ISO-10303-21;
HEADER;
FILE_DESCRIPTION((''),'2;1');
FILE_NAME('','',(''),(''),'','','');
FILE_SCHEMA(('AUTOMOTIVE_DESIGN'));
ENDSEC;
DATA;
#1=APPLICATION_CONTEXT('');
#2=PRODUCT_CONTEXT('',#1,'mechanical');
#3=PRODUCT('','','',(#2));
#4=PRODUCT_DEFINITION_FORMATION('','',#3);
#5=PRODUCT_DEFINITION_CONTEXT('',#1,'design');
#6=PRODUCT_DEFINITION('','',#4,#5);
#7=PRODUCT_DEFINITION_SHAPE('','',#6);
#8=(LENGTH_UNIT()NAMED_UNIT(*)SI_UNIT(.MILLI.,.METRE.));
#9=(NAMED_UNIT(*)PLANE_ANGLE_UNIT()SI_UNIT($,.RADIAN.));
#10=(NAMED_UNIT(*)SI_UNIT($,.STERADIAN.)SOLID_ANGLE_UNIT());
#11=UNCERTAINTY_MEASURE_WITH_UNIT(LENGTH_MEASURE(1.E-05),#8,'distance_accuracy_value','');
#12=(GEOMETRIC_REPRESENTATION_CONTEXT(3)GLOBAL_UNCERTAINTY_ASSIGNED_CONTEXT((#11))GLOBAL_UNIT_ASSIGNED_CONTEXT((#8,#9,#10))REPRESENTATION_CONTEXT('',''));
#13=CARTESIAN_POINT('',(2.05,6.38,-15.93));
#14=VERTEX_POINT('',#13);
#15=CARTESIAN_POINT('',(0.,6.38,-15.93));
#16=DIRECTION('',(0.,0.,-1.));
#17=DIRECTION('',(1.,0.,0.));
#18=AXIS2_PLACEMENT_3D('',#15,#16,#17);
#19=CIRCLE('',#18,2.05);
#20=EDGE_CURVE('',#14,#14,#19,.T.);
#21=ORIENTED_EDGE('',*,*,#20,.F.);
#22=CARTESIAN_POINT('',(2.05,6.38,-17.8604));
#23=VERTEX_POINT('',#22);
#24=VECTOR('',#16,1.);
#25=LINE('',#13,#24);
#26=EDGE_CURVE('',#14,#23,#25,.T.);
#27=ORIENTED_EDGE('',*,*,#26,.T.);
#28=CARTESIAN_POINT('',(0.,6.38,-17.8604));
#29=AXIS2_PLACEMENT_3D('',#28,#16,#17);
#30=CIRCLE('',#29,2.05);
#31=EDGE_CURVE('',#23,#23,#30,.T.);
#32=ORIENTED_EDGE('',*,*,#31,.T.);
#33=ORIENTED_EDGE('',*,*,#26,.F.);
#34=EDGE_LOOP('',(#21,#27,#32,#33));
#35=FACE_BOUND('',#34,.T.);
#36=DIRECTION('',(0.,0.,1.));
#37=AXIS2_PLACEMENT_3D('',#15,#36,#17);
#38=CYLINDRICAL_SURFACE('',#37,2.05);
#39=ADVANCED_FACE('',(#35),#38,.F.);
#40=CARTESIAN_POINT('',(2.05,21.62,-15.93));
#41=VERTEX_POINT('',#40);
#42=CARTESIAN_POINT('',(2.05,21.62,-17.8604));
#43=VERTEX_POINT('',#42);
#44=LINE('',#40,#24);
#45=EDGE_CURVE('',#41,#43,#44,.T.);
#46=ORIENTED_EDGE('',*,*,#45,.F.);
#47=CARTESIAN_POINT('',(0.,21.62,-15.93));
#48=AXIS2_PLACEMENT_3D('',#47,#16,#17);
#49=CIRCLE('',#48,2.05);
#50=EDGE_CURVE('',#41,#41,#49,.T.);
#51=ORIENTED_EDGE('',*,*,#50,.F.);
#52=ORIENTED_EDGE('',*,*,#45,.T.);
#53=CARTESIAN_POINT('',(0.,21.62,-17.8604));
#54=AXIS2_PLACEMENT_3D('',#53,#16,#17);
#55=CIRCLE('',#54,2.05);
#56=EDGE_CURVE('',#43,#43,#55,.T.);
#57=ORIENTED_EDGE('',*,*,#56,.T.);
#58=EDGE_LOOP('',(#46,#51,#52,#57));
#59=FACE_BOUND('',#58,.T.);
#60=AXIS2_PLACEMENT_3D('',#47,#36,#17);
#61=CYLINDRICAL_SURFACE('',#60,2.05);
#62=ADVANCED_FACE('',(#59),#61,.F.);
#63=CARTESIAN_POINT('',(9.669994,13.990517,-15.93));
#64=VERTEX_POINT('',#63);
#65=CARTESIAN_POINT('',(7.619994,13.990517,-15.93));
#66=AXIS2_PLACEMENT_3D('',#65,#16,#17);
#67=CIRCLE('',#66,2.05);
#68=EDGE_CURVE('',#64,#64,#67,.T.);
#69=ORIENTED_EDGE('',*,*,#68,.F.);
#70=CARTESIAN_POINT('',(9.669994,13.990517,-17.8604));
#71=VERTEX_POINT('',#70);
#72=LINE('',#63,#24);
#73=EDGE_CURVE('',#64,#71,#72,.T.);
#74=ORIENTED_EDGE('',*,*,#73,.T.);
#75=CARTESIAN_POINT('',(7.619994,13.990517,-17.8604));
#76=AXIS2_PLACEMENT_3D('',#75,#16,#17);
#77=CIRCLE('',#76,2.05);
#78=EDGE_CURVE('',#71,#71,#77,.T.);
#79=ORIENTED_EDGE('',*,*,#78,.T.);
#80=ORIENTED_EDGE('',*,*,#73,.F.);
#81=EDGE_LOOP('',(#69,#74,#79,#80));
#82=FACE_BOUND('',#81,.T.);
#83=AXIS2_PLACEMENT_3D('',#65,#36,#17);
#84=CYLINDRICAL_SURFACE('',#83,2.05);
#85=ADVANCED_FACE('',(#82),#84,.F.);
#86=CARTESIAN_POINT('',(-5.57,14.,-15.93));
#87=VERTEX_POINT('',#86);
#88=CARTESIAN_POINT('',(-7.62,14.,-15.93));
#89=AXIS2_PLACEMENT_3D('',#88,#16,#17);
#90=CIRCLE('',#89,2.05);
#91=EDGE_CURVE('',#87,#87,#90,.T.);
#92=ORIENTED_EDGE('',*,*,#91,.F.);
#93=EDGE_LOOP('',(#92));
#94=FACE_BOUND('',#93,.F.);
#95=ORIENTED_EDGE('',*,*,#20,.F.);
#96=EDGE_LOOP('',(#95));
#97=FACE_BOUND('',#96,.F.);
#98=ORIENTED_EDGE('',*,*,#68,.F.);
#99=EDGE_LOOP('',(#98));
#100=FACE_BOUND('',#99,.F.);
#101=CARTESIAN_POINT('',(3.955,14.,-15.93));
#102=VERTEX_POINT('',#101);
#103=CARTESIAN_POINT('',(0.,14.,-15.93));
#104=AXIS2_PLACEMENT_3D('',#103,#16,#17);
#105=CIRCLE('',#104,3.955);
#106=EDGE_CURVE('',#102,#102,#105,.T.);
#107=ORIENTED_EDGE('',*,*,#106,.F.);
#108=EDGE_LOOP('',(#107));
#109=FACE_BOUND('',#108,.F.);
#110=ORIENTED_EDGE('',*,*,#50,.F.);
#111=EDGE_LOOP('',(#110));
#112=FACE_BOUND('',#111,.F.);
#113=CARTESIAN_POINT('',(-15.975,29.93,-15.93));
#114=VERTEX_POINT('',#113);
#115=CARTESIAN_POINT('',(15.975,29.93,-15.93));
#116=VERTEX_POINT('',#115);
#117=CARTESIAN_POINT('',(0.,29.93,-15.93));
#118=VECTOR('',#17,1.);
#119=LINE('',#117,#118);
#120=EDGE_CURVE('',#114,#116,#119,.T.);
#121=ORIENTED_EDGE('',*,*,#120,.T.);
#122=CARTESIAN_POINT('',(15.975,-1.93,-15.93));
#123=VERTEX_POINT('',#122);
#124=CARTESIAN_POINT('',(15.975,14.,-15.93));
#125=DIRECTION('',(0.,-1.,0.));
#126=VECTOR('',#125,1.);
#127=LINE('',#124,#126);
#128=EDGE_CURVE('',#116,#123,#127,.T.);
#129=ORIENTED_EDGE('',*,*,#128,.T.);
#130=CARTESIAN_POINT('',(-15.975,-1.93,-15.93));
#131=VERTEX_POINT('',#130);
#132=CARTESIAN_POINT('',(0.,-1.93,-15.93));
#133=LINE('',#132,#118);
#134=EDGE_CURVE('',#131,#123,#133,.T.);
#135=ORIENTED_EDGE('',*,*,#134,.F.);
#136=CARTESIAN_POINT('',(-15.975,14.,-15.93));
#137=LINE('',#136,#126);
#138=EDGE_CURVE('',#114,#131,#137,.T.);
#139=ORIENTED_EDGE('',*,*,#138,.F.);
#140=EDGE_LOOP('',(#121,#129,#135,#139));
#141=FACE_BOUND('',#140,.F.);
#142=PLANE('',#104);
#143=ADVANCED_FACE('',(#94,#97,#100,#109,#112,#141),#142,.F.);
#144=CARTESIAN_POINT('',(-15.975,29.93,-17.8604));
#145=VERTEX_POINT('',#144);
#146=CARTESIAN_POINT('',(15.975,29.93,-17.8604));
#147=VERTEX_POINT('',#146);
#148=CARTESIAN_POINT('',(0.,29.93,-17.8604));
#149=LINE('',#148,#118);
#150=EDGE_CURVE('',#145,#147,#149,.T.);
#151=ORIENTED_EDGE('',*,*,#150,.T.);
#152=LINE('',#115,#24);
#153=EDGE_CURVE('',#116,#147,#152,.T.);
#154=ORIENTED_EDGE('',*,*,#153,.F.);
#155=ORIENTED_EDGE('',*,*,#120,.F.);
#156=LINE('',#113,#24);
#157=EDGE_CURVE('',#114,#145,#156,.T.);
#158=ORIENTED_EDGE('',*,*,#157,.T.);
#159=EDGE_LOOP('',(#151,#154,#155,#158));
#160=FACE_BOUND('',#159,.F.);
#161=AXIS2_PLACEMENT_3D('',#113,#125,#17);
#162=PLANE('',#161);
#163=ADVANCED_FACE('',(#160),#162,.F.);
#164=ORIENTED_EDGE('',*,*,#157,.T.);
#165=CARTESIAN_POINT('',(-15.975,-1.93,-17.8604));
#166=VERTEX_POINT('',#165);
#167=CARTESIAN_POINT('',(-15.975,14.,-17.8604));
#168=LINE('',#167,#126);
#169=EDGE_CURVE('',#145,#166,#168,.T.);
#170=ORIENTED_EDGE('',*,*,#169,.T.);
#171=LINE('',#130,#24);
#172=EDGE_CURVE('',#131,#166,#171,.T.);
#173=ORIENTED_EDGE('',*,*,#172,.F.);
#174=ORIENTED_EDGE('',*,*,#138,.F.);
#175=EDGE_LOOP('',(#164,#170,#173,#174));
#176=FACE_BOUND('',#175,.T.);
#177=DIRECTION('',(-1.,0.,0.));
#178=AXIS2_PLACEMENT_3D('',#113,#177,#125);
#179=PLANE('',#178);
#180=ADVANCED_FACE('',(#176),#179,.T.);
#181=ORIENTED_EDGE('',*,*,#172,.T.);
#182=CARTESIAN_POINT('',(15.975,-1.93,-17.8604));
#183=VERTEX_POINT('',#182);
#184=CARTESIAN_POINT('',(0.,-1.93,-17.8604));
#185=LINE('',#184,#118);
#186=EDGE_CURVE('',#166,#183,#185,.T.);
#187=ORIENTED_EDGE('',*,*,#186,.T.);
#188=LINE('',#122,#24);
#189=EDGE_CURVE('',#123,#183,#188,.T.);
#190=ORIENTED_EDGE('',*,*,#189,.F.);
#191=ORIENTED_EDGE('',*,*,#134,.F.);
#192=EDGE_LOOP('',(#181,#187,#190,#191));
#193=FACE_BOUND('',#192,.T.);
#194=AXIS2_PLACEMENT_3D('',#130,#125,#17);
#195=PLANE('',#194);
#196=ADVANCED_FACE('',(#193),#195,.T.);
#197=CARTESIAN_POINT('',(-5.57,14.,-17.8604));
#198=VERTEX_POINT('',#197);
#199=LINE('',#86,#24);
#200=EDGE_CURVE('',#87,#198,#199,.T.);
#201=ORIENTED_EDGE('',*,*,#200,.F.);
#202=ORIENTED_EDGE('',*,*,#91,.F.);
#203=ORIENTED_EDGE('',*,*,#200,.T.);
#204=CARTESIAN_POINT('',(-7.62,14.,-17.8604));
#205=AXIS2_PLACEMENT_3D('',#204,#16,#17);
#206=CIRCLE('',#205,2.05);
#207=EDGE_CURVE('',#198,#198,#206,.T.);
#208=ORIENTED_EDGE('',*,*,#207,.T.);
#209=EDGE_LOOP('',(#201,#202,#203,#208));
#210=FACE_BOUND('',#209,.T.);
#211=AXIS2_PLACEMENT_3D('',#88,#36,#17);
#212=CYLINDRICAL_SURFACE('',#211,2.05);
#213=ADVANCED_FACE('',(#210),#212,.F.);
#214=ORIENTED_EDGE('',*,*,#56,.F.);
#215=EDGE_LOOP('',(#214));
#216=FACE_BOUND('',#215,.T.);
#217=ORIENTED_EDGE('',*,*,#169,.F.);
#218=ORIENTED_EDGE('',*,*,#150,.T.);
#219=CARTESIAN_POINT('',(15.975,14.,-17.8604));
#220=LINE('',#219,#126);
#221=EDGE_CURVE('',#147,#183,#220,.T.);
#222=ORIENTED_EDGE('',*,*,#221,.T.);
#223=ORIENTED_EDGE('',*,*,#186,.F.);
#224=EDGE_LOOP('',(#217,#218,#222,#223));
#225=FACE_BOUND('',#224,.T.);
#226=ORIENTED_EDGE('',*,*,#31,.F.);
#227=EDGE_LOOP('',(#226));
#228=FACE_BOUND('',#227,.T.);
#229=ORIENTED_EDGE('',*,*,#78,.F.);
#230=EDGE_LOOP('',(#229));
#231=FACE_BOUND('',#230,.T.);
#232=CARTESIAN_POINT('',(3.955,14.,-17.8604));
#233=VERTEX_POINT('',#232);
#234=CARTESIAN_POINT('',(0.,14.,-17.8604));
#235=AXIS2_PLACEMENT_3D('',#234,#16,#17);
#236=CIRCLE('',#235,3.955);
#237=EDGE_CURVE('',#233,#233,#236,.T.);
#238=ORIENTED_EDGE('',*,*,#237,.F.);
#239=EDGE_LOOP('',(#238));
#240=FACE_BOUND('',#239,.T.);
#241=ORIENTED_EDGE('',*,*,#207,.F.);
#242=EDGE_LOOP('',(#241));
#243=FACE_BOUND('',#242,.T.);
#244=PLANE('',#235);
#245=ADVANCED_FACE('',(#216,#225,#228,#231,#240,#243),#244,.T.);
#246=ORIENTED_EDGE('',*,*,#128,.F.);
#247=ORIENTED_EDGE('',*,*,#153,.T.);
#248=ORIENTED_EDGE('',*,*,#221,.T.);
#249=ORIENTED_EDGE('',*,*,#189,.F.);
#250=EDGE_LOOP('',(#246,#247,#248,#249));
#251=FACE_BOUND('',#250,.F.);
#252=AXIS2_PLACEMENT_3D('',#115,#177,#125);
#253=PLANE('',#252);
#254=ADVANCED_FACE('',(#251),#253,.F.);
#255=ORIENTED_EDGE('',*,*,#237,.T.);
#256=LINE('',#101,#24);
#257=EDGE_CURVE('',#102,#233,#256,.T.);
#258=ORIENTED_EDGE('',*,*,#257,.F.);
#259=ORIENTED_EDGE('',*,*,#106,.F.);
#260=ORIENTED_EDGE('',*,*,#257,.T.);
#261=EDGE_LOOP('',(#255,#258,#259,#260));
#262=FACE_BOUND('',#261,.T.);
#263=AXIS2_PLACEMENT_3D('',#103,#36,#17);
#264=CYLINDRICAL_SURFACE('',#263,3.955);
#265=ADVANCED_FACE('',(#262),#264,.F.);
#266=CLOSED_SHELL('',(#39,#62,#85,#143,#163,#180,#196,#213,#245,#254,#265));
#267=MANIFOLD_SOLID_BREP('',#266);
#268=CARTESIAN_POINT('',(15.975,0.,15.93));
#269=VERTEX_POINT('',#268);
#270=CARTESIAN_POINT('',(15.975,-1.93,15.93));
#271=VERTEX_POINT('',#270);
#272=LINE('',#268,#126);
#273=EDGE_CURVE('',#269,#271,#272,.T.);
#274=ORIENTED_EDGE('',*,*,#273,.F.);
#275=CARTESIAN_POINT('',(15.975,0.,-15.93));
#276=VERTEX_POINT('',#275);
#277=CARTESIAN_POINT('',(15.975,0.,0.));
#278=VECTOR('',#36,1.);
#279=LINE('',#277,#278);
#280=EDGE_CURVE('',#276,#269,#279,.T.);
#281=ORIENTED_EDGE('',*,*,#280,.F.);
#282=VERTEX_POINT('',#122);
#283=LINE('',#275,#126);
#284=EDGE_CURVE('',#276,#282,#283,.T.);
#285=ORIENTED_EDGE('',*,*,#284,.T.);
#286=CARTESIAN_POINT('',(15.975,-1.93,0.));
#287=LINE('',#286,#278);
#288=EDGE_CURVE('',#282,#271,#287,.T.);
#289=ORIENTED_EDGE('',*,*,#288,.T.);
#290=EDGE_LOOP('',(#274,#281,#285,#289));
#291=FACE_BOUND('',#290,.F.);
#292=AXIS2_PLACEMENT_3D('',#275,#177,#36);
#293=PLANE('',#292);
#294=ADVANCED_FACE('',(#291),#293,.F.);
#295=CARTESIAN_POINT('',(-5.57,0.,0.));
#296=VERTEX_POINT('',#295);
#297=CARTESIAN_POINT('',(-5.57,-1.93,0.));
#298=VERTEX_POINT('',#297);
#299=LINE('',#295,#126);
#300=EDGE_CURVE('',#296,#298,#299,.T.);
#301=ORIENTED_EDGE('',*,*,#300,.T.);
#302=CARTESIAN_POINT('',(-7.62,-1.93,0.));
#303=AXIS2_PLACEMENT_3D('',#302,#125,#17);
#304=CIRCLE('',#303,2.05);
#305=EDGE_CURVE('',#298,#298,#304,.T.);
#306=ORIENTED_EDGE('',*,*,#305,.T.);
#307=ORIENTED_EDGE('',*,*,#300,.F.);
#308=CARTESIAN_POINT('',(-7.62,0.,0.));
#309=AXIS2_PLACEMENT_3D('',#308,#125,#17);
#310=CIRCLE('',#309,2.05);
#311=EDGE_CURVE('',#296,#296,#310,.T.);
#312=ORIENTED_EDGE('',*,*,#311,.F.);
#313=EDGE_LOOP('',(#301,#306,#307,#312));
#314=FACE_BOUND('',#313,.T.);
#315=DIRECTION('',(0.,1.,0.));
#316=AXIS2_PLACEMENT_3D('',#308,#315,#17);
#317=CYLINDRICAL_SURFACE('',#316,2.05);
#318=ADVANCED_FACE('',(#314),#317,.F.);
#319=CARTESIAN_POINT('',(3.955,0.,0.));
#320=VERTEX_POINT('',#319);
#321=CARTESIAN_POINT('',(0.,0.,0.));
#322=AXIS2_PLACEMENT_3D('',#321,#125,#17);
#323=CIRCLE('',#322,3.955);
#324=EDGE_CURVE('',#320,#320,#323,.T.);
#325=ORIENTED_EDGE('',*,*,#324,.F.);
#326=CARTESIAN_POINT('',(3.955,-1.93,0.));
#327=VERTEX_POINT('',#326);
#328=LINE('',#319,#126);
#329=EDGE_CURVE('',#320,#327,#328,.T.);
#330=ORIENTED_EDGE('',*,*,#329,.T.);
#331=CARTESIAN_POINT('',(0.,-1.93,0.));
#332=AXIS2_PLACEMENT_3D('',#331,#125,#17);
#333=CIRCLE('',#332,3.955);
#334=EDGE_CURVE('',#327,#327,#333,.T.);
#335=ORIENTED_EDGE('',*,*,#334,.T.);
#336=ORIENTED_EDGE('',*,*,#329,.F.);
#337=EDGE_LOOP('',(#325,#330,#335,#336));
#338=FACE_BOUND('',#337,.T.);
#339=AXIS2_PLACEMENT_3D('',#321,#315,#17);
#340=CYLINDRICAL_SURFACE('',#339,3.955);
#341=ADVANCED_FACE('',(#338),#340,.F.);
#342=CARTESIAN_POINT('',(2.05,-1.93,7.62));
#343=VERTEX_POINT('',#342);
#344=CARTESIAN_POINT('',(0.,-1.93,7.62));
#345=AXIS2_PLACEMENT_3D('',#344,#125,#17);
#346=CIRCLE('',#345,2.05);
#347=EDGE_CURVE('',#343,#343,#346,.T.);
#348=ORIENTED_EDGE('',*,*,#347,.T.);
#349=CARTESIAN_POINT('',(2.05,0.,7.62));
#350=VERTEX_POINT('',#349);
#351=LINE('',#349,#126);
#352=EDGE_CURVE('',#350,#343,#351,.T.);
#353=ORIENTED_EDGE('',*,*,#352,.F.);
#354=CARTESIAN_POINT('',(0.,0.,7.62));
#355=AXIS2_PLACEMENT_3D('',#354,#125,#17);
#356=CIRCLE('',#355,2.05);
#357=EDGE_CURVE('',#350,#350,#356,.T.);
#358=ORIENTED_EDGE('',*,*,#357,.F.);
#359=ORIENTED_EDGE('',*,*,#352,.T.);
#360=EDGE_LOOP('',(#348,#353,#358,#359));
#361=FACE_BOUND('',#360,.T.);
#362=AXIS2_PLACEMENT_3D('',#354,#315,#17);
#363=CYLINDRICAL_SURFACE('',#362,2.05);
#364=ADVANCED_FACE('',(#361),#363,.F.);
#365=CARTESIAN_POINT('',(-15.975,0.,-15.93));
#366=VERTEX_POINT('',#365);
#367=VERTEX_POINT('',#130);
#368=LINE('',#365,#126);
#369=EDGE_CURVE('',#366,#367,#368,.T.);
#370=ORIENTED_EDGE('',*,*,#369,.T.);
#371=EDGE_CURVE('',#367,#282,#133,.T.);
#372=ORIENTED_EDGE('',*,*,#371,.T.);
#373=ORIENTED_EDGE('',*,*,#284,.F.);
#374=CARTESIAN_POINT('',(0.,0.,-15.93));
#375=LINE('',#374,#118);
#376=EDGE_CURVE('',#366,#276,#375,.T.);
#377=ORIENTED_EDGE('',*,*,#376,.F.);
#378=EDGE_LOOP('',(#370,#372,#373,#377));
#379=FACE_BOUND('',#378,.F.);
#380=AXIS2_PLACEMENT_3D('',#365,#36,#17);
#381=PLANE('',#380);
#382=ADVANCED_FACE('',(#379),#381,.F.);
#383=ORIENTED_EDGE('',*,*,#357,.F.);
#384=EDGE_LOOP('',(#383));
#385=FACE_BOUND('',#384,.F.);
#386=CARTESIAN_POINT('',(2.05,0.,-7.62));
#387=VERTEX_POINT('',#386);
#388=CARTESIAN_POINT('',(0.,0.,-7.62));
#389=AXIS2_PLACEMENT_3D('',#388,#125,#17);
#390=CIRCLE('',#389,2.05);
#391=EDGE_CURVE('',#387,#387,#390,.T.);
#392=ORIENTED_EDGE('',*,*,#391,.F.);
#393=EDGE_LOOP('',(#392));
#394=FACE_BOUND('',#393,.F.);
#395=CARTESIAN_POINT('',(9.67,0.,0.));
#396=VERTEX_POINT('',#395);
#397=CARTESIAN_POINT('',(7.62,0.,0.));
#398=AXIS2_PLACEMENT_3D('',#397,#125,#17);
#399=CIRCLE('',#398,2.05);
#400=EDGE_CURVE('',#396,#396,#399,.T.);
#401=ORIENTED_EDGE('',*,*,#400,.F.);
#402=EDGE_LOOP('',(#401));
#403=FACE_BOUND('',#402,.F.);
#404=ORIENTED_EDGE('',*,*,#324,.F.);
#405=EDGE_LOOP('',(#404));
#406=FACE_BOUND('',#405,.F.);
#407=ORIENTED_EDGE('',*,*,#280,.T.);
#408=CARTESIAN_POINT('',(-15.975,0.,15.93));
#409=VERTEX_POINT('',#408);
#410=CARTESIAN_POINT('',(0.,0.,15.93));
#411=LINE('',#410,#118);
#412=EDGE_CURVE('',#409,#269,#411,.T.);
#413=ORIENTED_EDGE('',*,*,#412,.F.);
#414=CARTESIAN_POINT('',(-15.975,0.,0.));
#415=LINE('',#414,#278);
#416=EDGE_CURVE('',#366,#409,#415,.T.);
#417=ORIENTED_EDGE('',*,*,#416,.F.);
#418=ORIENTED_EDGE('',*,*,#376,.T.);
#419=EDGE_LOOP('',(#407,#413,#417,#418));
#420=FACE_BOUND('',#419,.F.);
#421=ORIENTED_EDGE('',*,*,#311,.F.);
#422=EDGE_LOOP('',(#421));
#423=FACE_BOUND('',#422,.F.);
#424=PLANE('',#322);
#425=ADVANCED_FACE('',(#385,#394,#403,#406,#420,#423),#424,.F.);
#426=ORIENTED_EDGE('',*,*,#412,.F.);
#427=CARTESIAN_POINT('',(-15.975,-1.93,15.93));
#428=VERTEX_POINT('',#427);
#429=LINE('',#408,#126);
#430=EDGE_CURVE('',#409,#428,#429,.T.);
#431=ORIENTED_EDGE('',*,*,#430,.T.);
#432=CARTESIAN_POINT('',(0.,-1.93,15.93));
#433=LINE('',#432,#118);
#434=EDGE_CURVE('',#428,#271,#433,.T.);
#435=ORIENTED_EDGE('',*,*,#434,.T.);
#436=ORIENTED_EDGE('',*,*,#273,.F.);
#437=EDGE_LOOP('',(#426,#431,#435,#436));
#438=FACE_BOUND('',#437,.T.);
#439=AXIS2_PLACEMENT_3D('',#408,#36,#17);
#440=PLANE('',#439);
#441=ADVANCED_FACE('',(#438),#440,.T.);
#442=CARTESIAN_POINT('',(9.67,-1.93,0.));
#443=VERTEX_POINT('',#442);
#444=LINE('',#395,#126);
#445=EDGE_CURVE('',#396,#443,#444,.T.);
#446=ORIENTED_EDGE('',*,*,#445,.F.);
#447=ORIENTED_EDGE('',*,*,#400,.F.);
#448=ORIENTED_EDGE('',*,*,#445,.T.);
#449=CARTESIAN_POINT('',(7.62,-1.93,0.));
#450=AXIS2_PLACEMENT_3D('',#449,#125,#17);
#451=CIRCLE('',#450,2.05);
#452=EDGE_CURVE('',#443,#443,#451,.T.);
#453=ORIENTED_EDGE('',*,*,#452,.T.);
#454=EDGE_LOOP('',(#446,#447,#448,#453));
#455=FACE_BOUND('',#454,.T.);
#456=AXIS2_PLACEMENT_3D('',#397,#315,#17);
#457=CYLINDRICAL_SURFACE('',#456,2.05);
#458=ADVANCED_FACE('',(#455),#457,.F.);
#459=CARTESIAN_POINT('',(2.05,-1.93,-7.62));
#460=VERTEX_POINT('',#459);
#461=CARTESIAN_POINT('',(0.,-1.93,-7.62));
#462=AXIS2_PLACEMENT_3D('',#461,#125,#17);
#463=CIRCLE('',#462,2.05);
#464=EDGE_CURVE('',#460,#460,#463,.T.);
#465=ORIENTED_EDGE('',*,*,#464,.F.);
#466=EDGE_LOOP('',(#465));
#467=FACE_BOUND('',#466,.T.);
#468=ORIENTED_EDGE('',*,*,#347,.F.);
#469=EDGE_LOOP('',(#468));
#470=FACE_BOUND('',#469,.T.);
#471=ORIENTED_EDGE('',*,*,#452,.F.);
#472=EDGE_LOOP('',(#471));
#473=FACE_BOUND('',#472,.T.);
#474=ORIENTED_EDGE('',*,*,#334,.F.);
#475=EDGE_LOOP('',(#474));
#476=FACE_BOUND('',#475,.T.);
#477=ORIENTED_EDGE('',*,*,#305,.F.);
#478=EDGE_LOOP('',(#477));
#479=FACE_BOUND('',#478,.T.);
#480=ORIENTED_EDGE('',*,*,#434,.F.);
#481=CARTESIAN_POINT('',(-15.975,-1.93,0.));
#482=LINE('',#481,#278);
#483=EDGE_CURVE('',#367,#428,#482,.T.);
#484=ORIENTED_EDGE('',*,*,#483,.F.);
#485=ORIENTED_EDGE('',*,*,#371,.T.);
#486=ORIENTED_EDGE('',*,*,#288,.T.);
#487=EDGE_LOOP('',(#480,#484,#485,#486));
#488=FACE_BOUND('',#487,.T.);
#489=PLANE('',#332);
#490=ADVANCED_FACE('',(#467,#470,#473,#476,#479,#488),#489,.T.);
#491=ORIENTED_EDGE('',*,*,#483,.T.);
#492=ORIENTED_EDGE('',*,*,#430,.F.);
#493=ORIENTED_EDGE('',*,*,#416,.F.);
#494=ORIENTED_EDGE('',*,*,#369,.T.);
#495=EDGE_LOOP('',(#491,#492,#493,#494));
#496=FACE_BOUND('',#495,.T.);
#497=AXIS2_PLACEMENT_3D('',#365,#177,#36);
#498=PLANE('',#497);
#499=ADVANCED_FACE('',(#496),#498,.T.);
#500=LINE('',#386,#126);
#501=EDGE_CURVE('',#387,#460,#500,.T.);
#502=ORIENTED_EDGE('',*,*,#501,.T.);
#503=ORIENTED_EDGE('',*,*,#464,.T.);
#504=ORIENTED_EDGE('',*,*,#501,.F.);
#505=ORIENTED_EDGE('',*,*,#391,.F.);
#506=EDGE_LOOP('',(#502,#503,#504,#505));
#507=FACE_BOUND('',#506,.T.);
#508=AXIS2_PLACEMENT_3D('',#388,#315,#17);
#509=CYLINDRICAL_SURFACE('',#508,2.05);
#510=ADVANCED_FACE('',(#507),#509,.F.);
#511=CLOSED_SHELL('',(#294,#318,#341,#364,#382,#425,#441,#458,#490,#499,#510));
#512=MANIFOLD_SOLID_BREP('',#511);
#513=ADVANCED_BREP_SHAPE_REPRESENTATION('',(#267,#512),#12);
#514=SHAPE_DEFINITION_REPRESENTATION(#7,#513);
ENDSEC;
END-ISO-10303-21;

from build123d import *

# Parameters (mm, degrees)
F0_W     = 31.95
F0_H     = 31.86
F0_R     = 2.05
F0_R_2   = 3.955
F1_DEPTH = 1.93
F2_W     = 31.95
F2_H     = 31.86
F2_R     = 2.05
F2_R_2   = 3.955
F3_DEPTH = 1.9304


with BuildPart() as f1:
    # F0 (on Front) → F1 (new body)
    with BuildSketch(Plane.XZ):
        Rectangle(F0_W, F0_H)
        with Locations((0, -7.62)):
            Circle(F0_R, mode=Mode.SUBTRACT)
        with Locations((-7.62, 0)):
            Circle(F0_R, mode=Mode.SUBTRACT)
        Circle(F0_R_2, mode=Mode.SUBTRACT)
        with Locations((7.62, 0)):
            Circle(F0_R, mode=Mode.SUBTRACT)
        with Locations((0, 7.62)):
            Circle(F0_R, mode=Mode.SUBTRACT)
    extrude(amount=F1_DEPTH)


with BuildPart() as f3:
    # F2 (on face) → F3 (new body)
    with BuildSketch(Plane(origin=(0, 0, -15.93), x_dir=(1, 0, 0), z_dir=(0, 0, -1))):
        with Locations((0, -14)):
            Rectangle(F2_W, F2_H)
        with Locations((0, -21.62)):
            Circle(F2_R, mode=Mode.SUBTRACT)
        with Locations((-7.62, -14)):
            Circle(F2_R, mode=Mode.SUBTRACT)
        with Locations((0, -14)):
            Circle(F2_R_2, mode=Mode.SUBTRACT)
        with Locations((7.619994, -13.990517)):
            Circle(F2_R, mode=Mode.SUBTRACT)
        with Locations((0, -6.38)):
            Circle(F2_R, mode=Mode.SUBTRACT)
    extrude(amount=F3_DEPTH)


solid = Compound([f1.part, f3.part])
